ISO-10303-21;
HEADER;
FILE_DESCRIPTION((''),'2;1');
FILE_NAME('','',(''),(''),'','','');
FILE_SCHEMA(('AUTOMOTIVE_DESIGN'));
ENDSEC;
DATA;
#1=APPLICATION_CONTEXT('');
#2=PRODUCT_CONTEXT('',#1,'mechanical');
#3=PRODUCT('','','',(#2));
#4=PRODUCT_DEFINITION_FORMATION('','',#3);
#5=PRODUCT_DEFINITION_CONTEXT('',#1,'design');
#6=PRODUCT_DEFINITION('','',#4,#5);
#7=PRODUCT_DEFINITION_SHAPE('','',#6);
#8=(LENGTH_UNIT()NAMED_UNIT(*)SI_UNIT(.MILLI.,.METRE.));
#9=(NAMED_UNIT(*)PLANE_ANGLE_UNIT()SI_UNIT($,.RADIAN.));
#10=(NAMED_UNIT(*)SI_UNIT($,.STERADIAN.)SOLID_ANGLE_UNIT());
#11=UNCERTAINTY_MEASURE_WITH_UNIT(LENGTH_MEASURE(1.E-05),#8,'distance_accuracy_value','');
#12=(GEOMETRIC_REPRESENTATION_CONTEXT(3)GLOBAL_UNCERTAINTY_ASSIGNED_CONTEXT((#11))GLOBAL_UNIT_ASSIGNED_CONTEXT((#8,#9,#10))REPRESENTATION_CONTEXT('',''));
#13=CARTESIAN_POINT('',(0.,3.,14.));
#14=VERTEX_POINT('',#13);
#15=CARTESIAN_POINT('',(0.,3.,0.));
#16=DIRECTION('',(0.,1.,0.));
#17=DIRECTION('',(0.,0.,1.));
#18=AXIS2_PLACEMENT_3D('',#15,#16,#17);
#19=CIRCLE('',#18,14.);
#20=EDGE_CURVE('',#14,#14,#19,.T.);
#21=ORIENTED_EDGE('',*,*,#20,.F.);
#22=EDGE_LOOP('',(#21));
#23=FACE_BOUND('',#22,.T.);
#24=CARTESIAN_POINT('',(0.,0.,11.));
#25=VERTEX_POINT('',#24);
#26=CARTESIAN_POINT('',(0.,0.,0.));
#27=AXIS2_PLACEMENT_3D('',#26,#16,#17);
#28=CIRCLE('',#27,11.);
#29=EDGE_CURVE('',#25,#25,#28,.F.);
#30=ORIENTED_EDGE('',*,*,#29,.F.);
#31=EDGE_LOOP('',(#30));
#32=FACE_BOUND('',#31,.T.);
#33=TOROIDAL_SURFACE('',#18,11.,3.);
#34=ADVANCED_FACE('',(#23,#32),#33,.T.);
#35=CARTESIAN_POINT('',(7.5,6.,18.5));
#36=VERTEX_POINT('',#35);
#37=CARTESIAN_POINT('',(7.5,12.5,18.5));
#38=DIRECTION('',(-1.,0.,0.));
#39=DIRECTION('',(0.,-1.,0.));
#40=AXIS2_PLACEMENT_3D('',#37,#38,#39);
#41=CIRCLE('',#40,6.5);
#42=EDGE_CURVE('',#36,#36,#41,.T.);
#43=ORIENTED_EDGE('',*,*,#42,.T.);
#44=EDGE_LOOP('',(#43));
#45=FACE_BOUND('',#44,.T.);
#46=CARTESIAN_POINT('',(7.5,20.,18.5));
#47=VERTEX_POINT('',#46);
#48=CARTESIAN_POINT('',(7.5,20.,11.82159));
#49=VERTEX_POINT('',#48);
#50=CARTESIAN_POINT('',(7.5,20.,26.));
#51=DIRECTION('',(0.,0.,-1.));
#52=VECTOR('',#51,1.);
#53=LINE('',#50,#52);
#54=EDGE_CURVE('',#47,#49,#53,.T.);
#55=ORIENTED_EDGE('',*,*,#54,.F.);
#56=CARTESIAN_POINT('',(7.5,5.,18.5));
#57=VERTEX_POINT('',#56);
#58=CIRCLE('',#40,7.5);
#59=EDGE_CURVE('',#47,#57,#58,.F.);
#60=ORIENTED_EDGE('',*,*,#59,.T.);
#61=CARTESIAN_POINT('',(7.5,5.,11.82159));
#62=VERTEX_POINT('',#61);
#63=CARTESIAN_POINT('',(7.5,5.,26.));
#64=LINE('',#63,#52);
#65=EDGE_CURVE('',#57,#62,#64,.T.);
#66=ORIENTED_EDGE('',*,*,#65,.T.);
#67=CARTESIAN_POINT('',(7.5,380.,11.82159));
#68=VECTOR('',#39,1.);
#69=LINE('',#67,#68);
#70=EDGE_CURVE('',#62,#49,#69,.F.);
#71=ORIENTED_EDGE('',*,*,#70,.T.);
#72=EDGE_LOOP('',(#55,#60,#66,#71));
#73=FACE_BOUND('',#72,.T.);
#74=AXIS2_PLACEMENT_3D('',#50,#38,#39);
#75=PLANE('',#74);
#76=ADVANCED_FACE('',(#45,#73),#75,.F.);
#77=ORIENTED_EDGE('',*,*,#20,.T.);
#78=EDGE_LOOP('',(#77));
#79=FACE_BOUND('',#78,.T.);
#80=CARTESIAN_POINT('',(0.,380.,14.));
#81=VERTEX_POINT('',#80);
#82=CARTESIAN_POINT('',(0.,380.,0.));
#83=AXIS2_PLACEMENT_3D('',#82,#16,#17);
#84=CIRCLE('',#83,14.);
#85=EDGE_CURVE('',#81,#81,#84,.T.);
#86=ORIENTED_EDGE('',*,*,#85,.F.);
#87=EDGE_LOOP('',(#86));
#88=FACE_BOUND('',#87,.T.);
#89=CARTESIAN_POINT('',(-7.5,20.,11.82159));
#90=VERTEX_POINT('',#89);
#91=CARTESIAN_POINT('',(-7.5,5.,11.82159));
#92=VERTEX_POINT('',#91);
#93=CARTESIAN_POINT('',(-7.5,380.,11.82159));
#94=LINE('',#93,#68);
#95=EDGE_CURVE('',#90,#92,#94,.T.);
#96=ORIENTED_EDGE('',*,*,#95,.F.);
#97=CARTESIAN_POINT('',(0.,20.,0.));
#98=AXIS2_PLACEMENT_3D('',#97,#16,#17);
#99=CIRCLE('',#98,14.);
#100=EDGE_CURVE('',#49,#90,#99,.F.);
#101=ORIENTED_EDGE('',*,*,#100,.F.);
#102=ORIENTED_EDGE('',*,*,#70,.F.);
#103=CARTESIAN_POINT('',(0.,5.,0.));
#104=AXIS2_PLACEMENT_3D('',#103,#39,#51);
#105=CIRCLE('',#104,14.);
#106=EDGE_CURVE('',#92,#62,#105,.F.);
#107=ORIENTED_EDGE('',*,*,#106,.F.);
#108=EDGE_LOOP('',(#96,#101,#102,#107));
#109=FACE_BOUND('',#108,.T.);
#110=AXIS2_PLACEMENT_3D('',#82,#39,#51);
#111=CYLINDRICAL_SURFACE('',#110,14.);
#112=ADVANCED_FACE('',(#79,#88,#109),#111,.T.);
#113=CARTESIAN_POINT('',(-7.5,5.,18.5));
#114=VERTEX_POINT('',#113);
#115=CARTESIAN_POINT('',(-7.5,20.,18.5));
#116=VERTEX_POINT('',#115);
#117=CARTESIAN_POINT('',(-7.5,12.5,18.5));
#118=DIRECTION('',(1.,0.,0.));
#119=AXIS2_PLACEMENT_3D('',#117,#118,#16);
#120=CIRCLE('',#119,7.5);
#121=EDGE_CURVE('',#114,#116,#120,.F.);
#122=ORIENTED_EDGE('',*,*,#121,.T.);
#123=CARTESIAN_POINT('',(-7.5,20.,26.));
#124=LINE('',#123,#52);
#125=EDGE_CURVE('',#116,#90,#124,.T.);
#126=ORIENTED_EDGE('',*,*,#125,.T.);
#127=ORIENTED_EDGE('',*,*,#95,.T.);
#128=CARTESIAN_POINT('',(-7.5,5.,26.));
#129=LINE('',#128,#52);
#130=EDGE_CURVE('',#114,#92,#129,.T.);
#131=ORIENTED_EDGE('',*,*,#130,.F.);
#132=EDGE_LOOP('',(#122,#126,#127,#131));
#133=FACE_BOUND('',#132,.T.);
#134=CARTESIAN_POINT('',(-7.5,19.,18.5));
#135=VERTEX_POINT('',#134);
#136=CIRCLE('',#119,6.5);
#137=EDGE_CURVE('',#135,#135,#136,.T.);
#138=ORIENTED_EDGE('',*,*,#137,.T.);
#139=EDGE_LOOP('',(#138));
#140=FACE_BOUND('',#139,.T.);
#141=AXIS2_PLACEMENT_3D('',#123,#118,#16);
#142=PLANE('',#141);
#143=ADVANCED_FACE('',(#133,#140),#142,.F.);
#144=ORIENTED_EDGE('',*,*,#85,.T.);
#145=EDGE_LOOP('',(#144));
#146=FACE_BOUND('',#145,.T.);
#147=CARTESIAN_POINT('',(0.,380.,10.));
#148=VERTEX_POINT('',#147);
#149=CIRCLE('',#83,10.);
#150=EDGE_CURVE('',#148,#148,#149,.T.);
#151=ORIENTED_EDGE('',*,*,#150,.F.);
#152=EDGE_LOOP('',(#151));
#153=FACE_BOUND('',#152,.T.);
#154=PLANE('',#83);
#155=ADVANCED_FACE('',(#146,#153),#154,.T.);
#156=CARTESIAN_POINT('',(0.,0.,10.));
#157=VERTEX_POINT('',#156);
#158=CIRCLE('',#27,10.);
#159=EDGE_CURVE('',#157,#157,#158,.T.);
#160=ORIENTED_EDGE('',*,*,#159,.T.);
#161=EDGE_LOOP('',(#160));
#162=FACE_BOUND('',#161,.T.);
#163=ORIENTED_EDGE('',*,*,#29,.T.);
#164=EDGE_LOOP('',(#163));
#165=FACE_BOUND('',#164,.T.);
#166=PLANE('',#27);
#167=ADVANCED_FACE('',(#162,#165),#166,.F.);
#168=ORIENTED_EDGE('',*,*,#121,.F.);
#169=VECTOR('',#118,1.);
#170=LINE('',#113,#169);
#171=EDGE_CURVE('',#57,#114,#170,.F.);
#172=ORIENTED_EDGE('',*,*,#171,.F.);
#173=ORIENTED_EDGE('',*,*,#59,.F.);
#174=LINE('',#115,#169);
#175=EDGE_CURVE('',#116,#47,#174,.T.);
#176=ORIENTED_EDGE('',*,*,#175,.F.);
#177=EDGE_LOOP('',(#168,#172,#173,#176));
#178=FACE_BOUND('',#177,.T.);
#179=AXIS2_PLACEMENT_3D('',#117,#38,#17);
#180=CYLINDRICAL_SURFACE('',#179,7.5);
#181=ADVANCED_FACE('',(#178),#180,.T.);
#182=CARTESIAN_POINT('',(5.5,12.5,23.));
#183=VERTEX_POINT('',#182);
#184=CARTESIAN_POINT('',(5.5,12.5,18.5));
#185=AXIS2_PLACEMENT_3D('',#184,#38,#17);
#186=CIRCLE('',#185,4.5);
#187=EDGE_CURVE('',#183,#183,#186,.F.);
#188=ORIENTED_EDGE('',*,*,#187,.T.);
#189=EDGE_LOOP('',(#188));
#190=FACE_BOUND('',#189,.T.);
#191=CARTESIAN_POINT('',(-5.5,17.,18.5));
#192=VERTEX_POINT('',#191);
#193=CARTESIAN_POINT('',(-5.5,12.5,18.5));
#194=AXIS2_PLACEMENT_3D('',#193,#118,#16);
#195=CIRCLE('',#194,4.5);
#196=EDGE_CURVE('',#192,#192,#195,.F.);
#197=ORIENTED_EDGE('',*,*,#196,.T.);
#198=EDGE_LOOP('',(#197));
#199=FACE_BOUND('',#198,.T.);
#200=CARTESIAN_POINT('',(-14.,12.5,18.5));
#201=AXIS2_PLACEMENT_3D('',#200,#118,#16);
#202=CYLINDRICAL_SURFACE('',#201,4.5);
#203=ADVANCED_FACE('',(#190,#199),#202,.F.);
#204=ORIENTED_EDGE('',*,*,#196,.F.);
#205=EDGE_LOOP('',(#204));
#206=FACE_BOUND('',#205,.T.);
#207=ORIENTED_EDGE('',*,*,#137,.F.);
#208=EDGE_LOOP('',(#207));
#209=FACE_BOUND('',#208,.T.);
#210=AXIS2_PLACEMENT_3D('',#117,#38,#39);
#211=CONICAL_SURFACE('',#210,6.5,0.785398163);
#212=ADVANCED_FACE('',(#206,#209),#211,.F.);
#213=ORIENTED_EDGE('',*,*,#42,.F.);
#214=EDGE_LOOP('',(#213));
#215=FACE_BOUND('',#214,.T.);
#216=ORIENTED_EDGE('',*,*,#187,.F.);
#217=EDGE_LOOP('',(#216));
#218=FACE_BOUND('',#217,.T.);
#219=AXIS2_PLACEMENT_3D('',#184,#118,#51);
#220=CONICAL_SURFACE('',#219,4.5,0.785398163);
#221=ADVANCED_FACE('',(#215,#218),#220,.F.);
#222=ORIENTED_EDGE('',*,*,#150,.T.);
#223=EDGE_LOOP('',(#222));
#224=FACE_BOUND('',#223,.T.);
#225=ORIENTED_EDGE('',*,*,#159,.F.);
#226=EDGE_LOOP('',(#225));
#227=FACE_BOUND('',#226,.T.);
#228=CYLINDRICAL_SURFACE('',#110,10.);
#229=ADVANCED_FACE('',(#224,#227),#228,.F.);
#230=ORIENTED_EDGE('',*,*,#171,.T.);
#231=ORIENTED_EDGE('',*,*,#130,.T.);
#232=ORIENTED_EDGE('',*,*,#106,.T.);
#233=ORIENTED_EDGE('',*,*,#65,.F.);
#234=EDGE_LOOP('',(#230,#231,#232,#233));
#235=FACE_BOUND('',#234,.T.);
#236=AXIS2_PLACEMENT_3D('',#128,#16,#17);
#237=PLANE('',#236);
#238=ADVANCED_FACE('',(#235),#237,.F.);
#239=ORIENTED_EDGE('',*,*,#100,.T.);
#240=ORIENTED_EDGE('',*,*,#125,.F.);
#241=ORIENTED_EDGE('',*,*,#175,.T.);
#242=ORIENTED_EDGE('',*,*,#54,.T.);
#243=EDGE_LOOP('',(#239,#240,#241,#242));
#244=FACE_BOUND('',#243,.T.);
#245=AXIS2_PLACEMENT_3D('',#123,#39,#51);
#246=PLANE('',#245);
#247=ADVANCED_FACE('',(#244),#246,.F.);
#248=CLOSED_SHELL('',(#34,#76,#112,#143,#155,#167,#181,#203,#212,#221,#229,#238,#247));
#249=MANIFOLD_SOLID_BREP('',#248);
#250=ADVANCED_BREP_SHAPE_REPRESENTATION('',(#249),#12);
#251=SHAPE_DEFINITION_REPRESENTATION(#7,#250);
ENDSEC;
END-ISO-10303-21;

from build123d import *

# Parameters (mm, degrees)
SZKIC1_R                                     = 14
SZKIC1_R_2                                   = 10
DODANIE_WYCI_GNI_CIE1_DEPTH                  = 380
SZKIC2_W                                     = 15
SZKIC2_H                                     = 15
DODANIE_WYCI_GNI_CIE2_DEPTH                  = 12
DODANIE_WYCI_GNI_CIE2_DIRECTION_2_REACH      = 383.287
DODANIE_WYCI_GNI_CIE2_DIRECTION_2_END_RADIUS = 14
ZAOKR_GLENIE1_RADIUS                         = 7.5
ZAOKR_GLENIE1_LENGTH                         = 15
SZKIC3_R                                     = 4.5
WYTNIJ_WYCI_GNI_CIE1_DEPTH                   = 382.4947575
SFAZOWANIE2_SIZE                             = 2
ZAOKR_GLENIE2_R                              = 3


with BuildPart() as part:
    # Szkic1 → Dodanie-wyciągnięcie1 (new body)
    with BuildSketch(Plane(origin=(0, 0, 0), x_dir=(1, 0, 0), z_dir=(0, 1, 0))):
        with Locations(Location((0, 0, 0), (0, 0, 270))):
            Circle(SZKIC1_R)
        with Locations(Location((0, 0, 0), (0, 0, 270))):
            Circle(SZKIC1_R_2, mode=Mode.SUBTRACT)
    extrude(amount=DODANIE_WYCI_GNI_CIE1_DEPTH)

    # Szkic2 → Dodanie-wyciągnięcie2 (add)
    with BuildSketch(Plane.XY.offset(14)):
        with Locations((0, 12.5)):
            Rectangle(SZKIC2_W, SZKIC2_H)
    extrude(amount=DODANIE_WYCI_GNI_CIE2_DEPTH)

    # Dodanie-wyciągnięcie2 direction 2: up to this cylinder (the profile starts outside it)
    dodanie_wyci_gni_cie2_direction_2_end = Plane(origin=(0, 12.5, 0), z_dir=(0, -1, 0)) * Cylinder(DODANIE_WYCI_GNI_CIE2_DIRECTION_2_END_RADIUS, 795.574, mode=Mode.PRIVATE)
    # Szkic2 → Dodanie-wyciągnięcie2 direction 2 (add, up to the surface)
    with BuildSketch(Plane.XY.offset(14), mode=Mode.PRIVATE) as dodanie_wyci_gni_cie2_direction_2_sk1:
        with Locations((0, 12.5)):
            Rectangle(SZKIC2_W, SZKIC2_H)
    dodanie_wyci_gni_cie2_direction_2_tool1 = extrude(dodanie_wyci_gni_cie2_direction_2_sk1.sketch, amount=-DODANIE_WYCI_GNI_CIE2_DIRECTION_2_REACH, mode=Mode.PRIVATE) - dodanie_wyci_gni_cie2_direction_2_end
    add(dodanie_wyci_gni_cie2_direction_2_tool1.solids().sort_by_distance((0, 12.5, 14))[0])
    add(dodanie_wyci_gni_cie2_direction_2_tool1.solids().sort_by_distance((0, 12.5, 14))[1])

    # Zaokrąglenie1: full round fillet: the end face becomes a half cylinder, R = half its width
    zaokr_glenie1_face = Plane((0, 12.5, 26), x_dir=(1, 0, 0), z_dir=(0, 0, 1))  # on the end face: x along it, z out of the body
    zaokr_glenie1_slab = zaokr_glenie1_face.offset(-ZAOKR_GLENIE1_RADIUS / 2) * Box(ZAOKR_GLENIE1_LENGTH, 2 * ZAOKR_GLENIE1_RADIUS, ZAOKR_GLENIE1_RADIUS, mode=Mode.PRIVATE)  # the body's end, R deep
    zaokr_glenie1_round = Plane((0, 12.5, 18.5), x_dir=(0, 0, 1), z_dir=(1, 0, 0)) * Cylinder(ZAOKR_GLENIE1_RADIUS, ZAOKR_GLENIE1_LENGTH, mode=Mode.PRIVATE)  # its axis R under the face
    add(zaokr_glenie1_slab - zaokr_glenie1_round, mode=Mode.SUBTRACT)

    # Szkic3 → Wytnij-wyciągnięcie1 (cut, through all)
    with BuildSketch(Plane(origin=(7.5, 0, 0), x_dir=(0, 0, -1), z_dir=(1, 0, 0))):
        with Locations(Location((-18.5, 12.5, 0), (0, 0, 90))):
            Circle(SZKIC3_R)
    extrude(amount=-WYTNIJ_WYCI_GNI_CIE1_DEPTH, mode=Mode.SUBTRACT)

    # Sfazowanie2
    sfazowanie2_edges = [part.edges().sort_by_distance(p)[0] for p in [
        (-7.5, 8, 18.5),
        (7.5, 8, 18.5),
    ]]
    chamfer(sfazowanie2_edges, length=SFAZOWANIE2_SIZE)

    # Zaokrąglenie2
    zaokr_glenie2_edges = [part.edges().sort_by_distance(p)[0] for p in [
        (0, 0, -14),
    ]]
    fillet(zaokr_glenie2_edges, radius=ZAOKR_GLENIE2_R)


solid = part.part
